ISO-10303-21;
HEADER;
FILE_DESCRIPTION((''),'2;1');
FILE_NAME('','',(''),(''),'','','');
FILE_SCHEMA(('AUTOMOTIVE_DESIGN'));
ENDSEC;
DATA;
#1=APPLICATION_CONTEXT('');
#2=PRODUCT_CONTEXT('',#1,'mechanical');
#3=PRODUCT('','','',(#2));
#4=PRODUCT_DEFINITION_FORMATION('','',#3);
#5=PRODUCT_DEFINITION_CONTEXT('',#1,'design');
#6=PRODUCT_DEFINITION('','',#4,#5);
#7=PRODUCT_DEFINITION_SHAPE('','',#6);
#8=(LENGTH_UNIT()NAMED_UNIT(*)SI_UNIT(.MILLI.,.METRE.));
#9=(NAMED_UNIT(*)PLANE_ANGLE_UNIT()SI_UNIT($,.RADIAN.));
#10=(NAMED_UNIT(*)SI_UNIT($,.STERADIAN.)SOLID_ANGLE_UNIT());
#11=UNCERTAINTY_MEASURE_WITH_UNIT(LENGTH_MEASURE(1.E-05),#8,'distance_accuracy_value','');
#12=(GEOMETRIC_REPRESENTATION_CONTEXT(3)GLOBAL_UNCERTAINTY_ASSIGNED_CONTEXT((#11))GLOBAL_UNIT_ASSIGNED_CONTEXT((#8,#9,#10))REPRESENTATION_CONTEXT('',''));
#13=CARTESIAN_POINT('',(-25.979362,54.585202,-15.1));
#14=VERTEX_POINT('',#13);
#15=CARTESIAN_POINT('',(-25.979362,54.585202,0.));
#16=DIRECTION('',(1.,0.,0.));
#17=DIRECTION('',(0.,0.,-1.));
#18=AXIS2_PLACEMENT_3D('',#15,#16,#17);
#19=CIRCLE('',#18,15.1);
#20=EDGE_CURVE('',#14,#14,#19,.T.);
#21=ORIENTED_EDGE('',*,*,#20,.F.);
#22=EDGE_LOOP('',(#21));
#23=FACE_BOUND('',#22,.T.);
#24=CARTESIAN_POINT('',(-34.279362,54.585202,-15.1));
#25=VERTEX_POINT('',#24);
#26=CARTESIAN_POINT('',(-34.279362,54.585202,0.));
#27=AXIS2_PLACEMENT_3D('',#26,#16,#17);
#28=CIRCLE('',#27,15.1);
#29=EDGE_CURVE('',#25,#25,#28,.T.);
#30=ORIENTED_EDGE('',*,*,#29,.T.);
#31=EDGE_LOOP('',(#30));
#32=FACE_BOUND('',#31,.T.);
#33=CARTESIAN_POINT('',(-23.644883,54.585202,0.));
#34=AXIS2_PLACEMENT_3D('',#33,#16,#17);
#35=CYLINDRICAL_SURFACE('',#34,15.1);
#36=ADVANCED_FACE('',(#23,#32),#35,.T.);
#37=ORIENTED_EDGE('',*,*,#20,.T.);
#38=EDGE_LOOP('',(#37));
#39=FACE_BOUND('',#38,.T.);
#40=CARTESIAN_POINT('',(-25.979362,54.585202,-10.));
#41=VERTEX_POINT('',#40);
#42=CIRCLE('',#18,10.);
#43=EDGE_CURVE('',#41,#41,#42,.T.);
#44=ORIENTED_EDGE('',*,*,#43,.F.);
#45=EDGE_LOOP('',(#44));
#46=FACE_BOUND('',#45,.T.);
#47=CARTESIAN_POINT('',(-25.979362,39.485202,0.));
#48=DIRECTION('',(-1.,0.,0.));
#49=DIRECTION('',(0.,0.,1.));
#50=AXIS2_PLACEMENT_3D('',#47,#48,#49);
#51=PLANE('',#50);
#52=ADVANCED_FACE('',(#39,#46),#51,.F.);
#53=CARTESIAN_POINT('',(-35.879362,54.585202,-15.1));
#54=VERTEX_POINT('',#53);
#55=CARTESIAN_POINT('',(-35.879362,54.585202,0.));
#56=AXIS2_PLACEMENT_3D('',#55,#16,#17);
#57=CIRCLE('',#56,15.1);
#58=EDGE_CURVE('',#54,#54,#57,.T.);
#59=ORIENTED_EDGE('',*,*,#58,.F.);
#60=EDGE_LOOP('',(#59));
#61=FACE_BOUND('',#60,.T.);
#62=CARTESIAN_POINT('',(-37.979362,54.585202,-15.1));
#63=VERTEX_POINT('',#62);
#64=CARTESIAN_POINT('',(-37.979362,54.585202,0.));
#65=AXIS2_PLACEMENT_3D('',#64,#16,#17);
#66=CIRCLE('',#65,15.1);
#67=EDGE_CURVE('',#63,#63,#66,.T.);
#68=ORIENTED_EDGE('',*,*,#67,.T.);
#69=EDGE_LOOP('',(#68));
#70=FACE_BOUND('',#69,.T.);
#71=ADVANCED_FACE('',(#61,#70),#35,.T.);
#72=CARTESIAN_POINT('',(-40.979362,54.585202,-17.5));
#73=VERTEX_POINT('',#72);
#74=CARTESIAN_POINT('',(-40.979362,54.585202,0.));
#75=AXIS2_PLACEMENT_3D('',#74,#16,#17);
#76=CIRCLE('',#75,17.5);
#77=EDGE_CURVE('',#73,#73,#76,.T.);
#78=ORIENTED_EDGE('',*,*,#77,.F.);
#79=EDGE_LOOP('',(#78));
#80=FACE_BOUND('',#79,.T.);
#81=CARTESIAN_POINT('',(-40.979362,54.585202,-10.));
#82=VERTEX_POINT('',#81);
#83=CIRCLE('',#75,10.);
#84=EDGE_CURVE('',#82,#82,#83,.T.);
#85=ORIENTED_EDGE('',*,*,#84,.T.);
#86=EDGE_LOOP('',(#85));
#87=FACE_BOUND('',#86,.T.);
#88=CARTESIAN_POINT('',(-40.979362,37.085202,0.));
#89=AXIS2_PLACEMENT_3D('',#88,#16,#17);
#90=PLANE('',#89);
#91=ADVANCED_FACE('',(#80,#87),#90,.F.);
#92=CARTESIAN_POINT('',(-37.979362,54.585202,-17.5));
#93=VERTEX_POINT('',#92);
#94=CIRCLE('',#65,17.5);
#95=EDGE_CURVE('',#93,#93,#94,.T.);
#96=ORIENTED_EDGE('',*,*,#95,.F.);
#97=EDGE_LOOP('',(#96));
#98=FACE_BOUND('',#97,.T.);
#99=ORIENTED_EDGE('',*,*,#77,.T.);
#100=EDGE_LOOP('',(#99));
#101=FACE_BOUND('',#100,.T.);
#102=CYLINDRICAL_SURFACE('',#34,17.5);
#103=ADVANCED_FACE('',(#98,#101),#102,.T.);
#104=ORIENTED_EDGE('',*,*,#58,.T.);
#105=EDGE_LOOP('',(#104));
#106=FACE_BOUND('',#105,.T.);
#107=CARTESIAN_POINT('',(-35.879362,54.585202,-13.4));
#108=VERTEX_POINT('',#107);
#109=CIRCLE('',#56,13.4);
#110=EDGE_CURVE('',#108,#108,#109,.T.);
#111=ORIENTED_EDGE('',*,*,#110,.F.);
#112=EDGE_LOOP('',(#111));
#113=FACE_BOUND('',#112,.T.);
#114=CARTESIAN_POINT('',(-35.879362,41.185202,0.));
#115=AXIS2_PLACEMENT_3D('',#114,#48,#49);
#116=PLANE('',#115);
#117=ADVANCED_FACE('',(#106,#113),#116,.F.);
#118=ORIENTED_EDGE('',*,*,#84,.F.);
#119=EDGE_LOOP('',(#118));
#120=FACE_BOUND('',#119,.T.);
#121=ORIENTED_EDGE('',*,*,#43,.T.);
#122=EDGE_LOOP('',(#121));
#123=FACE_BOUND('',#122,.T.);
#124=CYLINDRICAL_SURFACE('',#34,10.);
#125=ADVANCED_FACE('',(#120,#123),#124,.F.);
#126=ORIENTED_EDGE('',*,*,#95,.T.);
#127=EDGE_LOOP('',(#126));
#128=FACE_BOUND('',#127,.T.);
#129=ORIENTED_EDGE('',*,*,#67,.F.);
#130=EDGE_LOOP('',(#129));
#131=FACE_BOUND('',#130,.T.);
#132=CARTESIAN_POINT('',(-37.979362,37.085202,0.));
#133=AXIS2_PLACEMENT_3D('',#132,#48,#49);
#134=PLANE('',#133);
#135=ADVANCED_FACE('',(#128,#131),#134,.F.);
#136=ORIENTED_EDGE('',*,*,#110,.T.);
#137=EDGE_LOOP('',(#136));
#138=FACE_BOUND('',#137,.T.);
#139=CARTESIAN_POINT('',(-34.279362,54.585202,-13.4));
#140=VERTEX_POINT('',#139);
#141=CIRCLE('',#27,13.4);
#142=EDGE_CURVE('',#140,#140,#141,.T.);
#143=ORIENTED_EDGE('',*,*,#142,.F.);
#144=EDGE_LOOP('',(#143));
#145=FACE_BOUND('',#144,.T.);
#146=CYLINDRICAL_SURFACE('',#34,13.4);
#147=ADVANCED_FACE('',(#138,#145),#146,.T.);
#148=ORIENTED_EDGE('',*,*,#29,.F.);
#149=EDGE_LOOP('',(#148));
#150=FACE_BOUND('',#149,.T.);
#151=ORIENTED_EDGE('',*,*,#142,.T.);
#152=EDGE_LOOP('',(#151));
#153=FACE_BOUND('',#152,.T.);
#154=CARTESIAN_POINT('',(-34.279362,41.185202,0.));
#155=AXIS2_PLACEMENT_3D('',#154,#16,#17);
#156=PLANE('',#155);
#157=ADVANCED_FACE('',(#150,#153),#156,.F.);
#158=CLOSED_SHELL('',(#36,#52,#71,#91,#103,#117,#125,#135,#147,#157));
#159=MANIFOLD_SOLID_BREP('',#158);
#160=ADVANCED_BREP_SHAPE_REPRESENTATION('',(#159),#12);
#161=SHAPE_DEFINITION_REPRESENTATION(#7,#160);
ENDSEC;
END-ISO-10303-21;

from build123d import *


with BuildPart() as part:
    # Sketch1 → Revolve1 (revolve)
    with BuildSketch(Plane.XY, mode=Mode.PRIVATE) as revolve1_sk:
        Polygon((-37.979362121, 37.085201662), (-40.979362121, 37.085201662), (-40.979362121, 44.585201662), (-25.979362121, 44.585201662), (-25.979362121, 39.485201662), (-34.279362121, 39.485201662), (-34.279362121, 41.185201662), (-35.879362121, 41.185201662), (-35.879362121, 39.485201662), (-37.979362121, 39.485201662), align=None)
    revolve(revolve1_sk.sketch.rotate(Axis((-23.644882831, 54.585201662, 0), (-1, 0, 0)), 270), axis=Axis((-23.644882831, 54.585201662, 0), (-1, 0, 0)))


solid = part.part
